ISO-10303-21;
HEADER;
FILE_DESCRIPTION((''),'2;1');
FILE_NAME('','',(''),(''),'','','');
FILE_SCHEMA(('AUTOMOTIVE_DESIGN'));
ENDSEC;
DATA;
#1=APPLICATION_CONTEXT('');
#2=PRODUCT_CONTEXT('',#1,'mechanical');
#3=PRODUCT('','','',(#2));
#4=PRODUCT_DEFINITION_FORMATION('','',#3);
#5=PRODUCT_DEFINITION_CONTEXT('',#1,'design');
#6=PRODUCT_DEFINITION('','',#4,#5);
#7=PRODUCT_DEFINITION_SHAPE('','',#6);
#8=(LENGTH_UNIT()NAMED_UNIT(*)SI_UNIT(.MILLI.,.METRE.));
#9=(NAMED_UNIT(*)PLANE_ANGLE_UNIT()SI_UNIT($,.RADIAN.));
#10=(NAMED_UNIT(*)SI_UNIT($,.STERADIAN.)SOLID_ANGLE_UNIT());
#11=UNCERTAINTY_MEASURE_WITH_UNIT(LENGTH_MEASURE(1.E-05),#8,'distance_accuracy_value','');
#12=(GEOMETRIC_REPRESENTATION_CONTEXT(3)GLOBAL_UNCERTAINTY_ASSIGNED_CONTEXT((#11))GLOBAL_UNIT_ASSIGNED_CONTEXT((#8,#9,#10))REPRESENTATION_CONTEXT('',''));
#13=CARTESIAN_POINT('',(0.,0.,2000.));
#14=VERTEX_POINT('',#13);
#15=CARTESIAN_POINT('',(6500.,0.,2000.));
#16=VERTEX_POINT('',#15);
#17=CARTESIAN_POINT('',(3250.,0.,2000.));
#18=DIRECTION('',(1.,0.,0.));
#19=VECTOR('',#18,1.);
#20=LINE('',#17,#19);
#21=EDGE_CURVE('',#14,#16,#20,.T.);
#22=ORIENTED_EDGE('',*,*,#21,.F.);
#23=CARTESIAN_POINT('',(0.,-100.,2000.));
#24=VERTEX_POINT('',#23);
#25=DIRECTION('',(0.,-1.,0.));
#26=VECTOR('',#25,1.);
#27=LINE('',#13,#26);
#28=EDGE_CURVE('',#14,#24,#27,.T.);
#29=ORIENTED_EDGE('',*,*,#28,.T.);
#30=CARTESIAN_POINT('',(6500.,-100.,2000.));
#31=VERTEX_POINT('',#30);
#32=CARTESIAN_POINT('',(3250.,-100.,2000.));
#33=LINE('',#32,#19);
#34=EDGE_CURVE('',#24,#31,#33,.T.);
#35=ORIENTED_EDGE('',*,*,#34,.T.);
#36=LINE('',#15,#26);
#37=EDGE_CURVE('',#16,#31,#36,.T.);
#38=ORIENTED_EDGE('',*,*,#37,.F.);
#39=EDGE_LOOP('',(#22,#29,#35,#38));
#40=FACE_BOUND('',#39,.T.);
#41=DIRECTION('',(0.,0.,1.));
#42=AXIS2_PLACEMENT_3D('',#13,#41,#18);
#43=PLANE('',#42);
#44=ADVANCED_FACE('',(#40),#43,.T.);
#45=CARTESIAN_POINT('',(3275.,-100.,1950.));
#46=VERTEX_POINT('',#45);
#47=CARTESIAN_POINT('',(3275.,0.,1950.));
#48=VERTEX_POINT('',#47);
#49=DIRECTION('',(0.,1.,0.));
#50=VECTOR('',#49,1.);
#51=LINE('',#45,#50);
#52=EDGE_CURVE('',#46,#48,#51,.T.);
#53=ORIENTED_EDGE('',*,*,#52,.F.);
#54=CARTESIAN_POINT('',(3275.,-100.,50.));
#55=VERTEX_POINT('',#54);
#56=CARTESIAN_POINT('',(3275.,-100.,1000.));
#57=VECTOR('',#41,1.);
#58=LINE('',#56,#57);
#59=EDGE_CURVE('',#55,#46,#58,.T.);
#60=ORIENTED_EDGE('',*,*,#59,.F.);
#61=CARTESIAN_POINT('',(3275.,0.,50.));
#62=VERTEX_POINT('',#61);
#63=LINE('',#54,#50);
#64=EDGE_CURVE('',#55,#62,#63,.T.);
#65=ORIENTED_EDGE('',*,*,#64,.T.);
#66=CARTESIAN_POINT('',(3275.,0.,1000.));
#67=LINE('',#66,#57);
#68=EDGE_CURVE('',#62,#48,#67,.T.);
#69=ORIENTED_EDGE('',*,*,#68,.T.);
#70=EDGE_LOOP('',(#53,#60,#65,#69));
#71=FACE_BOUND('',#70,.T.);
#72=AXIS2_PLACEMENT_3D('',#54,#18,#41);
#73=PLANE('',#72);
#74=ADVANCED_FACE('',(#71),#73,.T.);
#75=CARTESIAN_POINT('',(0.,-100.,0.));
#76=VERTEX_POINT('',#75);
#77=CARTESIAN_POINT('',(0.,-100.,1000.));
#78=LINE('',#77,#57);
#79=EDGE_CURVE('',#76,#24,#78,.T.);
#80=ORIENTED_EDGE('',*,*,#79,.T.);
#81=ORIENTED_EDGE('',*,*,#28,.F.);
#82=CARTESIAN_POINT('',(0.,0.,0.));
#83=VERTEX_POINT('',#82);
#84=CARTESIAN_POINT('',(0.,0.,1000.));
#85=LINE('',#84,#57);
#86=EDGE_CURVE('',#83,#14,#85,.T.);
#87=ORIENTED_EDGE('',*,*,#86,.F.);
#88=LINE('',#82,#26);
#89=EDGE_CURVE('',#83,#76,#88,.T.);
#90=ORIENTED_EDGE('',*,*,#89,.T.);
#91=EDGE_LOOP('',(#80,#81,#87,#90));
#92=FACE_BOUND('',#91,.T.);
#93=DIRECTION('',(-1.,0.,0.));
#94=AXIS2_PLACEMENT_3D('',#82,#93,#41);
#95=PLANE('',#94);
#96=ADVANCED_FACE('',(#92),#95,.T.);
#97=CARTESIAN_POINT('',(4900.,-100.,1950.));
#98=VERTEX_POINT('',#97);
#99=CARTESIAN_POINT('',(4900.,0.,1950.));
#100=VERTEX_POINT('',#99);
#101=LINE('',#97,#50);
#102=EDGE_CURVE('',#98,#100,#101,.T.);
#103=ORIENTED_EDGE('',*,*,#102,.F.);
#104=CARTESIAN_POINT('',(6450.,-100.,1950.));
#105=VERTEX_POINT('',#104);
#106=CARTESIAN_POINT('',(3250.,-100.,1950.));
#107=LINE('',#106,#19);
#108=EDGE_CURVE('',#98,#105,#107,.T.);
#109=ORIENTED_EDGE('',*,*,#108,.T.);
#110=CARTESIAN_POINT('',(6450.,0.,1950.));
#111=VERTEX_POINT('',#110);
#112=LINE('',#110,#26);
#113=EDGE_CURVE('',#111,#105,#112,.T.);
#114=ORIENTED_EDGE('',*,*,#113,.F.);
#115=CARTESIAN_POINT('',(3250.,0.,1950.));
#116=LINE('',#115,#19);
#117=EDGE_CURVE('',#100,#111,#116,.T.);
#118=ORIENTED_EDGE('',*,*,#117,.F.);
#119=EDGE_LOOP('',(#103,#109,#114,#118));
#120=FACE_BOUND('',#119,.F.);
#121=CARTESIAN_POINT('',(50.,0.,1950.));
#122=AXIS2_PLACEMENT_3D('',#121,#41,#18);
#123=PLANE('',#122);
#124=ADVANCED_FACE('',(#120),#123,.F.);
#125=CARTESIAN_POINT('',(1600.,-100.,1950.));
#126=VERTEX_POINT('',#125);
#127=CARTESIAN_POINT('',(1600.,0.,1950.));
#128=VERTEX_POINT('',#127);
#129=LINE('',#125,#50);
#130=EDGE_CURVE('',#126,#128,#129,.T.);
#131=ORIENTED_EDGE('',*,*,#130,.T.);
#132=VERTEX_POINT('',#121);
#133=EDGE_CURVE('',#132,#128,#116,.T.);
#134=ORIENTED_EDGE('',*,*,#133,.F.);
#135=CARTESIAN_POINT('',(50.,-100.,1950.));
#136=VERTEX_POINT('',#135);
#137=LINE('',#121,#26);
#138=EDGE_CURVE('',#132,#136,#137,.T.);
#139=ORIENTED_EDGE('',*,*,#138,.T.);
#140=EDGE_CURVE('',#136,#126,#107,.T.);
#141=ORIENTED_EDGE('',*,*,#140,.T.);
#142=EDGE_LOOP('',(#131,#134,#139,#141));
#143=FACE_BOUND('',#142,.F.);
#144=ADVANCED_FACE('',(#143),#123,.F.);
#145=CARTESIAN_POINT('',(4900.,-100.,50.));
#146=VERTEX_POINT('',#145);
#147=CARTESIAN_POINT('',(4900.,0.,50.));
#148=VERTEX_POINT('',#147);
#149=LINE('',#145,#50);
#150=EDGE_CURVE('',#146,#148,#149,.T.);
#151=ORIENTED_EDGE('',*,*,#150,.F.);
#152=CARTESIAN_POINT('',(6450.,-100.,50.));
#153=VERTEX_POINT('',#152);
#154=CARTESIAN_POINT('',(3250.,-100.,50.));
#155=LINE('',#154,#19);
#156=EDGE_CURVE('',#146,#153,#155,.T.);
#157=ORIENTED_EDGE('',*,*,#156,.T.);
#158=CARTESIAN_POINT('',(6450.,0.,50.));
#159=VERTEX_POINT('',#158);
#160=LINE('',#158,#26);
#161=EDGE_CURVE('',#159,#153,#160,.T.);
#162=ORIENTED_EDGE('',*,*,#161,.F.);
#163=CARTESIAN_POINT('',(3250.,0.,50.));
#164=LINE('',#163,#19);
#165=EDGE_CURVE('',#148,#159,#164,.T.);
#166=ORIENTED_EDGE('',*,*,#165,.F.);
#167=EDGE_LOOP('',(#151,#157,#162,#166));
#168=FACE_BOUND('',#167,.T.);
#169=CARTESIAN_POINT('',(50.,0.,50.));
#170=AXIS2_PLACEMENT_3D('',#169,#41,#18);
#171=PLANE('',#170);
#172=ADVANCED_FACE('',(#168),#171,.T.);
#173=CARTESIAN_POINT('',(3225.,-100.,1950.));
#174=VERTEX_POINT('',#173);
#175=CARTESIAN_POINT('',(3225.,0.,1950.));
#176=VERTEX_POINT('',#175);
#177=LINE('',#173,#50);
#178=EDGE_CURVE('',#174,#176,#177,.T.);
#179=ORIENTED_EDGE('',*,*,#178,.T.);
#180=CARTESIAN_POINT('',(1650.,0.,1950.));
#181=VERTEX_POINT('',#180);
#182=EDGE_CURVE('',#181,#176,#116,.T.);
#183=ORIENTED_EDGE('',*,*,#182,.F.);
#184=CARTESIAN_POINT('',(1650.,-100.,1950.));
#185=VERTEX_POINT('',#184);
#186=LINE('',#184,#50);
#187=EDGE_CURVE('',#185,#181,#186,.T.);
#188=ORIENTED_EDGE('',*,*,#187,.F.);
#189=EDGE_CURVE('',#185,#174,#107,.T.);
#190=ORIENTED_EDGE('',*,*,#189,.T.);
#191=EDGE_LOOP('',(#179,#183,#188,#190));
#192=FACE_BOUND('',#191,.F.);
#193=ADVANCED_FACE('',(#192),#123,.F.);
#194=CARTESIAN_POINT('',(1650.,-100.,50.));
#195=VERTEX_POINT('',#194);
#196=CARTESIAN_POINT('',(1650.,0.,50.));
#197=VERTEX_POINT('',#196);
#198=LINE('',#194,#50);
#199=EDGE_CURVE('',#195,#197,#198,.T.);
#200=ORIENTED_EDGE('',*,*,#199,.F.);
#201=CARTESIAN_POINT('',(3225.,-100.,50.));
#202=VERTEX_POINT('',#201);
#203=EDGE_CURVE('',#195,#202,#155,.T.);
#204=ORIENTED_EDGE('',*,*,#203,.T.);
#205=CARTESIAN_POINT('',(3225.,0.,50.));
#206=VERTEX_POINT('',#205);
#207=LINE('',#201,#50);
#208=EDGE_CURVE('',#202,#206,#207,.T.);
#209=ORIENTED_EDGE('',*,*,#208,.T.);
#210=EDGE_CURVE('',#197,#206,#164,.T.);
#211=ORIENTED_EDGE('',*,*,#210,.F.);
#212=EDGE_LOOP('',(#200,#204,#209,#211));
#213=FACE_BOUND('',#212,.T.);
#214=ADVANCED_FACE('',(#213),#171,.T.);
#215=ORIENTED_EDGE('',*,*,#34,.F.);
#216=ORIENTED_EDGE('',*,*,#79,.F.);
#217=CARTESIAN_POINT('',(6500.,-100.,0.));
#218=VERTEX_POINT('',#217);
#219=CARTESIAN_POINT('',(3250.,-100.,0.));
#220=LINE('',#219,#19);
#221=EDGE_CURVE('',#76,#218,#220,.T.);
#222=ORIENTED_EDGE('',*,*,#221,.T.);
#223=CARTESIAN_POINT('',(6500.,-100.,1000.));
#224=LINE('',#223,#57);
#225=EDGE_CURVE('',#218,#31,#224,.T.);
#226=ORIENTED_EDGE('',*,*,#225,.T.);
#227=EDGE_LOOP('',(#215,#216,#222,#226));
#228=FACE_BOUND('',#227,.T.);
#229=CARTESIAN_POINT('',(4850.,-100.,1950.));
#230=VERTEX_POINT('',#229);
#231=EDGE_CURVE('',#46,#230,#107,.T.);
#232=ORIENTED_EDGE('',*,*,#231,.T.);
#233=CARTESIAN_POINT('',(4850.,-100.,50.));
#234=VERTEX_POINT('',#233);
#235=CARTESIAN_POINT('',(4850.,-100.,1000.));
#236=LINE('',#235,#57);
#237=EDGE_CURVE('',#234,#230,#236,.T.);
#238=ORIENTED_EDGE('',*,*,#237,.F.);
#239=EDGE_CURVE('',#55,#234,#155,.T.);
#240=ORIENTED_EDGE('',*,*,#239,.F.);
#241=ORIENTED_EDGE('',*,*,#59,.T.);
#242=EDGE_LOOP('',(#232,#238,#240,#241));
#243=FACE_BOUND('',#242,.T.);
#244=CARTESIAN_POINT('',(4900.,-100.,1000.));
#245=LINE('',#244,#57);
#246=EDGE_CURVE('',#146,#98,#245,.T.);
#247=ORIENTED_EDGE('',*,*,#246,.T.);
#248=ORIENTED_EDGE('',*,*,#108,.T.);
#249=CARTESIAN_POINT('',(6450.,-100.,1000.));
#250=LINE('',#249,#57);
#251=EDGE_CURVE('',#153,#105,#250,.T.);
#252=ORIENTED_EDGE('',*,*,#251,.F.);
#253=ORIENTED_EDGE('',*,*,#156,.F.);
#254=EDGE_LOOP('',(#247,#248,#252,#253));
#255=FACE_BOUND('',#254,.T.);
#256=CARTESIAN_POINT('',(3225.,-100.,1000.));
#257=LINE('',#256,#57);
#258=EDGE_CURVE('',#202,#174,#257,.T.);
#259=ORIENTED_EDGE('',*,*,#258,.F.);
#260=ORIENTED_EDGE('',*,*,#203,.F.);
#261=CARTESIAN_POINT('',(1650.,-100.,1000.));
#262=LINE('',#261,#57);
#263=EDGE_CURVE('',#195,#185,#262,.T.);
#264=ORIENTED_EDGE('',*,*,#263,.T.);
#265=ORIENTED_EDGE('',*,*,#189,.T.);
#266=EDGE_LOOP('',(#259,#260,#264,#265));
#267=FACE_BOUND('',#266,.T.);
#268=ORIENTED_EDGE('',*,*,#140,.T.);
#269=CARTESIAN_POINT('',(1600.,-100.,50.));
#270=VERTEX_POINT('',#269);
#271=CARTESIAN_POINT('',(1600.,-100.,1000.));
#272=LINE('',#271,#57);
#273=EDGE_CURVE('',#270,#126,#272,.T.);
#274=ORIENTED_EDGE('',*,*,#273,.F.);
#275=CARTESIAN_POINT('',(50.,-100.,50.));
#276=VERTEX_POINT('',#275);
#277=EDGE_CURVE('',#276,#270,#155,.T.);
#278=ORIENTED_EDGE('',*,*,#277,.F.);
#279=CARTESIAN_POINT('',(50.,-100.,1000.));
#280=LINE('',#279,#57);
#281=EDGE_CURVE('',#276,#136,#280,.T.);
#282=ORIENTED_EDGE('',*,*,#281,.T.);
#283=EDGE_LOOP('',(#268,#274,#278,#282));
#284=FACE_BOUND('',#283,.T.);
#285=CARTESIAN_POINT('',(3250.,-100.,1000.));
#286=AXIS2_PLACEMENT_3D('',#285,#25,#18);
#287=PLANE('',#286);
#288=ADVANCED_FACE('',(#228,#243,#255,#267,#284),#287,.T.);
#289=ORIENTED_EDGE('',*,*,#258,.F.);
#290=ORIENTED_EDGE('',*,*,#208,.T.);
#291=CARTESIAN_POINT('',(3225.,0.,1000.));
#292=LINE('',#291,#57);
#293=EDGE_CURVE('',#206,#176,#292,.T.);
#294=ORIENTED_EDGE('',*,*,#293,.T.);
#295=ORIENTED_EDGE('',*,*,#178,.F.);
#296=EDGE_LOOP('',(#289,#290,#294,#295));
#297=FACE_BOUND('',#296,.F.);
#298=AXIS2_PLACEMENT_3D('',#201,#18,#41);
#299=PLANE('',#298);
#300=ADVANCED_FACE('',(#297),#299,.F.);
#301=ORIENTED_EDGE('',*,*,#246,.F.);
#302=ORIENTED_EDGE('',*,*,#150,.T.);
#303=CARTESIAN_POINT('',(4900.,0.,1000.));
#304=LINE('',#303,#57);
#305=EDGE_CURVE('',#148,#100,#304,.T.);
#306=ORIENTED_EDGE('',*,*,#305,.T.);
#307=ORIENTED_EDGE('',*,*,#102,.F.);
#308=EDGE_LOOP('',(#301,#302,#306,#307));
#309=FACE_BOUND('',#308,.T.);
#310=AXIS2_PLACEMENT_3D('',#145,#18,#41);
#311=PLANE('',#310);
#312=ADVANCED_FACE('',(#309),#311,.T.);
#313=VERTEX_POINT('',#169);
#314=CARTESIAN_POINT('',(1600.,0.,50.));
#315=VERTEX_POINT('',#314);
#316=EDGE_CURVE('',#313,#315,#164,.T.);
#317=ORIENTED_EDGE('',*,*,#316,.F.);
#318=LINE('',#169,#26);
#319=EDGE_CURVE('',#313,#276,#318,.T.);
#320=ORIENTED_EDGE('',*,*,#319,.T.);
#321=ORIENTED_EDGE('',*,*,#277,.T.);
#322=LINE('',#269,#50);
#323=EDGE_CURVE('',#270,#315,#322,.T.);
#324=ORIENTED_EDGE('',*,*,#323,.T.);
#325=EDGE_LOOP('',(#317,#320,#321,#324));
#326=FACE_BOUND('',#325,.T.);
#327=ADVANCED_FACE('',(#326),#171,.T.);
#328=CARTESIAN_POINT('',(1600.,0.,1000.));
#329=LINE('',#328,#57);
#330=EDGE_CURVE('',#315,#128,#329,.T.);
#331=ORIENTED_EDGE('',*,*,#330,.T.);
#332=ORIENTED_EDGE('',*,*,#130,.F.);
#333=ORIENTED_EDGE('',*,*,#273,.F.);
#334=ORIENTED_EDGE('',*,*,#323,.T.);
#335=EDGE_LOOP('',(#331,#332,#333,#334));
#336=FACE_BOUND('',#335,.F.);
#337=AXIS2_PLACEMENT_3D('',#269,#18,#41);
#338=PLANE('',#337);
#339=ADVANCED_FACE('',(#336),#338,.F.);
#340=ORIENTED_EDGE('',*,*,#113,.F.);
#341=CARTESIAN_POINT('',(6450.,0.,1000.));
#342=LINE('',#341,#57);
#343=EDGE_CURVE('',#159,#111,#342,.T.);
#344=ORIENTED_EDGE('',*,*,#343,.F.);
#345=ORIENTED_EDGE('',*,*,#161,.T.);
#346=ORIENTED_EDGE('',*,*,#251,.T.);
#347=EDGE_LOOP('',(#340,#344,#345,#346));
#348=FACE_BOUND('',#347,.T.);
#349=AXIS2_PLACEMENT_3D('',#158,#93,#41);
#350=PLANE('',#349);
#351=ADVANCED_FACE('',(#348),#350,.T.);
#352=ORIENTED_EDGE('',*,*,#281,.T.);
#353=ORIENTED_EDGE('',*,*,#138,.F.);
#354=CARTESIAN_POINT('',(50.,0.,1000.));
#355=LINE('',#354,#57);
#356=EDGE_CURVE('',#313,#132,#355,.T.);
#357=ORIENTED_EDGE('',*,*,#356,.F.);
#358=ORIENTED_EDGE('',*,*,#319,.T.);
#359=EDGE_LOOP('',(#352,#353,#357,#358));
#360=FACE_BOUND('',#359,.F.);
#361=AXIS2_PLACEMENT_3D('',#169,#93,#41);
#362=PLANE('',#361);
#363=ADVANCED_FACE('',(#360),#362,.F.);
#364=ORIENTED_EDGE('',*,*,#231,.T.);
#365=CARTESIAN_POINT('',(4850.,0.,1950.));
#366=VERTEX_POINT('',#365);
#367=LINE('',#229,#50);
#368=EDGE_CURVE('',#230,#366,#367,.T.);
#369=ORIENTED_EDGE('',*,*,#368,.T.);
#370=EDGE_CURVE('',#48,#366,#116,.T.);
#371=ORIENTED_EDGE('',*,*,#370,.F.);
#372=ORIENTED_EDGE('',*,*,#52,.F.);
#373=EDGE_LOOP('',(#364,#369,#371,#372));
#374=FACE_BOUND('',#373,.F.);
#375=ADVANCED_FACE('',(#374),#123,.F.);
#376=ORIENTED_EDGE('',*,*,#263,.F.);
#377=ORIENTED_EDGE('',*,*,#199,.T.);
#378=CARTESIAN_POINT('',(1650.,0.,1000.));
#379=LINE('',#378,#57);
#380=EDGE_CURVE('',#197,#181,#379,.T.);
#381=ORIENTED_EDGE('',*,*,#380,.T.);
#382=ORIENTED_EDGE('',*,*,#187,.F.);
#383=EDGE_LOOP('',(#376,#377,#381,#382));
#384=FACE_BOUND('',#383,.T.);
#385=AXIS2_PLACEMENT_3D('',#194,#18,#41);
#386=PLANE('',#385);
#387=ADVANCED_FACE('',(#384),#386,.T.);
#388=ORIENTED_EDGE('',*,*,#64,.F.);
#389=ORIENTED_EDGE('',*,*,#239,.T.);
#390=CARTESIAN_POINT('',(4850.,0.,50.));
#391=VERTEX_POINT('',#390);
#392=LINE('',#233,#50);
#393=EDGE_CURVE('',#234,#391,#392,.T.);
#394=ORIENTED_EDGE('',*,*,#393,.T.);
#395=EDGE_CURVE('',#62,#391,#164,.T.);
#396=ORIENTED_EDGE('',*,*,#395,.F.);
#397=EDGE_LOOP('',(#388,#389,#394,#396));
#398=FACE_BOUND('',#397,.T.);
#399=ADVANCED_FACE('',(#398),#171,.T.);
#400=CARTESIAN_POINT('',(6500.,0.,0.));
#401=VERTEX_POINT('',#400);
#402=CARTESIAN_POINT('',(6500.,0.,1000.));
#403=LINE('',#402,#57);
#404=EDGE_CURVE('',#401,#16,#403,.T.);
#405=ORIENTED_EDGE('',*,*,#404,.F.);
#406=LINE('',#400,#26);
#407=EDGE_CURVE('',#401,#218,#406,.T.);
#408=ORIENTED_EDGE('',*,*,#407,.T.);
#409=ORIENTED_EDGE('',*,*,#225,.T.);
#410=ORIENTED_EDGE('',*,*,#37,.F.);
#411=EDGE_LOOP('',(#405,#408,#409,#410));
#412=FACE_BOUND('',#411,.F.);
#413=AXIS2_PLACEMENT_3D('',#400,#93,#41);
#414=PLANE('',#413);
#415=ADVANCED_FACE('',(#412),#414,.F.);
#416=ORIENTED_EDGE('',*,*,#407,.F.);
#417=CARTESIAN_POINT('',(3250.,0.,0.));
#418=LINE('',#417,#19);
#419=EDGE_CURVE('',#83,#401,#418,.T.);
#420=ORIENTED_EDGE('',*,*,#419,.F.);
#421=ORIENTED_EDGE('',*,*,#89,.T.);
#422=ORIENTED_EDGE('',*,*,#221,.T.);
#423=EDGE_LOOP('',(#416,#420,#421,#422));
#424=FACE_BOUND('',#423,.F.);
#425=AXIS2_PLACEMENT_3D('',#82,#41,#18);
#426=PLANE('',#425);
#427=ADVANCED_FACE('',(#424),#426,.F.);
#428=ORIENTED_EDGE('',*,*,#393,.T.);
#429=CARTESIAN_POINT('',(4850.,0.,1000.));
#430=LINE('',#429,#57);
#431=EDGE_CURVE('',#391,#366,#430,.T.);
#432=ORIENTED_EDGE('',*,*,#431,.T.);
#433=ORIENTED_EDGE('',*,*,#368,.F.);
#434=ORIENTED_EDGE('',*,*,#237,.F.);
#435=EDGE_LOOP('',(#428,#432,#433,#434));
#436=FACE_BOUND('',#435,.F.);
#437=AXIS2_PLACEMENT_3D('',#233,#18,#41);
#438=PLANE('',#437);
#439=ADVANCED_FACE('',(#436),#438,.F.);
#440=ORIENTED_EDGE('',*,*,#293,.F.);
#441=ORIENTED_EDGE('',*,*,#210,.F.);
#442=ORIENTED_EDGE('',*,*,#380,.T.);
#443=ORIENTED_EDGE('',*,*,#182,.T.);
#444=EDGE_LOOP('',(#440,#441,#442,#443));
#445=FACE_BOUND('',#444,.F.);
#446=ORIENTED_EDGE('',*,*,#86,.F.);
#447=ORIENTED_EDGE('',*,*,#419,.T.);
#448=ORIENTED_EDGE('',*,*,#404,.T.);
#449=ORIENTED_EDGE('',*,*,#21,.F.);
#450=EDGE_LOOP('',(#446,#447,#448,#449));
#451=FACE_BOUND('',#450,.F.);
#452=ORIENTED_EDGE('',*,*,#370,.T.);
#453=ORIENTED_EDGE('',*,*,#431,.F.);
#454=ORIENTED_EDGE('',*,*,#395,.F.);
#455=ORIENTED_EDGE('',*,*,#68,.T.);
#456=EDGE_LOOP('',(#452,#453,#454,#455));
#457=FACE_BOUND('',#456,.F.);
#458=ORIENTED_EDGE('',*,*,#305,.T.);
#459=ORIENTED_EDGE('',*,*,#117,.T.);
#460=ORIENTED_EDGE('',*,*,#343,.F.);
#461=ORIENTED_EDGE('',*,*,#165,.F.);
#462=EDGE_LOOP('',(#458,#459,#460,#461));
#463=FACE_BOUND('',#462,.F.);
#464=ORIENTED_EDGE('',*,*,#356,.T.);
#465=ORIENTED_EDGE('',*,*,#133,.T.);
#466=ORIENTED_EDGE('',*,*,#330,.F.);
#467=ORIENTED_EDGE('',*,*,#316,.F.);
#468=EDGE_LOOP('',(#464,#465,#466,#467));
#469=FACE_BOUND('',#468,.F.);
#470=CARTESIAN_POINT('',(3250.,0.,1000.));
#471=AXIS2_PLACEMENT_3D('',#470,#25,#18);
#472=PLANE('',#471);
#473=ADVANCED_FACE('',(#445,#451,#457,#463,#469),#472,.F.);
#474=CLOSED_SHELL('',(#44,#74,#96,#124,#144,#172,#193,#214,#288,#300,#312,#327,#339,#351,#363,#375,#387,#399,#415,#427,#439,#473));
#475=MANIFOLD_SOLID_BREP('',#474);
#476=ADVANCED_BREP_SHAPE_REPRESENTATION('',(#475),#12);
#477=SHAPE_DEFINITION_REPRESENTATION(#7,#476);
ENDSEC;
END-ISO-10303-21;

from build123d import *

# Parameters (mm, degrees)
F0_W     = 6500
F0_H     = 2000
F0_W_2   = 6400
F0_H_2   = 1900
F1_DEPTH = 100
F2_W     = 50
F2_H     = 1900
F3_DEPTH = 100
F4_W     = 50
F4_H     = 1900
F5_DEPTH = 100
F6_W     = 50
F6_H     = 1900
F7_DEPTH = 100


with BuildPart() as f1:
    # F0 (on Front) → F1 (new body)
    with BuildSketch(Plane.XZ):
        with Locations((3250, 1000)):
            Rectangle(F0_W, F0_H)
        with Locations((3250, 1000)):
            Rectangle(F0_W_2, F0_H_2, mode=Mode.SUBTRACT)
    extrude(amount=F1_DEPTH)

    # F2 (on face) → F3 (join)
    with BuildSketch(Plane.XZ.offset(100)):
        with Locations((1625, 1000)):
            Rectangle(F2_W, F2_H)
    extrude(amount=-F3_DEPTH)

    # F4 (on face) → F5 (join)
    with BuildSketch(Plane.XZ.offset(100)):
        with Locations((3250, 1000)):
            Rectangle(F4_W, F4_H)
    extrude(amount=-F5_DEPTH)

    # F6 (on face) → F7 (join)
    with BuildSketch(Plane.XZ.offset(100)):
        with Locations((4875, 1000)):
            Rectangle(F6_W, F6_H)
    extrude(amount=-F7_DEPTH)


solid = f1.part
